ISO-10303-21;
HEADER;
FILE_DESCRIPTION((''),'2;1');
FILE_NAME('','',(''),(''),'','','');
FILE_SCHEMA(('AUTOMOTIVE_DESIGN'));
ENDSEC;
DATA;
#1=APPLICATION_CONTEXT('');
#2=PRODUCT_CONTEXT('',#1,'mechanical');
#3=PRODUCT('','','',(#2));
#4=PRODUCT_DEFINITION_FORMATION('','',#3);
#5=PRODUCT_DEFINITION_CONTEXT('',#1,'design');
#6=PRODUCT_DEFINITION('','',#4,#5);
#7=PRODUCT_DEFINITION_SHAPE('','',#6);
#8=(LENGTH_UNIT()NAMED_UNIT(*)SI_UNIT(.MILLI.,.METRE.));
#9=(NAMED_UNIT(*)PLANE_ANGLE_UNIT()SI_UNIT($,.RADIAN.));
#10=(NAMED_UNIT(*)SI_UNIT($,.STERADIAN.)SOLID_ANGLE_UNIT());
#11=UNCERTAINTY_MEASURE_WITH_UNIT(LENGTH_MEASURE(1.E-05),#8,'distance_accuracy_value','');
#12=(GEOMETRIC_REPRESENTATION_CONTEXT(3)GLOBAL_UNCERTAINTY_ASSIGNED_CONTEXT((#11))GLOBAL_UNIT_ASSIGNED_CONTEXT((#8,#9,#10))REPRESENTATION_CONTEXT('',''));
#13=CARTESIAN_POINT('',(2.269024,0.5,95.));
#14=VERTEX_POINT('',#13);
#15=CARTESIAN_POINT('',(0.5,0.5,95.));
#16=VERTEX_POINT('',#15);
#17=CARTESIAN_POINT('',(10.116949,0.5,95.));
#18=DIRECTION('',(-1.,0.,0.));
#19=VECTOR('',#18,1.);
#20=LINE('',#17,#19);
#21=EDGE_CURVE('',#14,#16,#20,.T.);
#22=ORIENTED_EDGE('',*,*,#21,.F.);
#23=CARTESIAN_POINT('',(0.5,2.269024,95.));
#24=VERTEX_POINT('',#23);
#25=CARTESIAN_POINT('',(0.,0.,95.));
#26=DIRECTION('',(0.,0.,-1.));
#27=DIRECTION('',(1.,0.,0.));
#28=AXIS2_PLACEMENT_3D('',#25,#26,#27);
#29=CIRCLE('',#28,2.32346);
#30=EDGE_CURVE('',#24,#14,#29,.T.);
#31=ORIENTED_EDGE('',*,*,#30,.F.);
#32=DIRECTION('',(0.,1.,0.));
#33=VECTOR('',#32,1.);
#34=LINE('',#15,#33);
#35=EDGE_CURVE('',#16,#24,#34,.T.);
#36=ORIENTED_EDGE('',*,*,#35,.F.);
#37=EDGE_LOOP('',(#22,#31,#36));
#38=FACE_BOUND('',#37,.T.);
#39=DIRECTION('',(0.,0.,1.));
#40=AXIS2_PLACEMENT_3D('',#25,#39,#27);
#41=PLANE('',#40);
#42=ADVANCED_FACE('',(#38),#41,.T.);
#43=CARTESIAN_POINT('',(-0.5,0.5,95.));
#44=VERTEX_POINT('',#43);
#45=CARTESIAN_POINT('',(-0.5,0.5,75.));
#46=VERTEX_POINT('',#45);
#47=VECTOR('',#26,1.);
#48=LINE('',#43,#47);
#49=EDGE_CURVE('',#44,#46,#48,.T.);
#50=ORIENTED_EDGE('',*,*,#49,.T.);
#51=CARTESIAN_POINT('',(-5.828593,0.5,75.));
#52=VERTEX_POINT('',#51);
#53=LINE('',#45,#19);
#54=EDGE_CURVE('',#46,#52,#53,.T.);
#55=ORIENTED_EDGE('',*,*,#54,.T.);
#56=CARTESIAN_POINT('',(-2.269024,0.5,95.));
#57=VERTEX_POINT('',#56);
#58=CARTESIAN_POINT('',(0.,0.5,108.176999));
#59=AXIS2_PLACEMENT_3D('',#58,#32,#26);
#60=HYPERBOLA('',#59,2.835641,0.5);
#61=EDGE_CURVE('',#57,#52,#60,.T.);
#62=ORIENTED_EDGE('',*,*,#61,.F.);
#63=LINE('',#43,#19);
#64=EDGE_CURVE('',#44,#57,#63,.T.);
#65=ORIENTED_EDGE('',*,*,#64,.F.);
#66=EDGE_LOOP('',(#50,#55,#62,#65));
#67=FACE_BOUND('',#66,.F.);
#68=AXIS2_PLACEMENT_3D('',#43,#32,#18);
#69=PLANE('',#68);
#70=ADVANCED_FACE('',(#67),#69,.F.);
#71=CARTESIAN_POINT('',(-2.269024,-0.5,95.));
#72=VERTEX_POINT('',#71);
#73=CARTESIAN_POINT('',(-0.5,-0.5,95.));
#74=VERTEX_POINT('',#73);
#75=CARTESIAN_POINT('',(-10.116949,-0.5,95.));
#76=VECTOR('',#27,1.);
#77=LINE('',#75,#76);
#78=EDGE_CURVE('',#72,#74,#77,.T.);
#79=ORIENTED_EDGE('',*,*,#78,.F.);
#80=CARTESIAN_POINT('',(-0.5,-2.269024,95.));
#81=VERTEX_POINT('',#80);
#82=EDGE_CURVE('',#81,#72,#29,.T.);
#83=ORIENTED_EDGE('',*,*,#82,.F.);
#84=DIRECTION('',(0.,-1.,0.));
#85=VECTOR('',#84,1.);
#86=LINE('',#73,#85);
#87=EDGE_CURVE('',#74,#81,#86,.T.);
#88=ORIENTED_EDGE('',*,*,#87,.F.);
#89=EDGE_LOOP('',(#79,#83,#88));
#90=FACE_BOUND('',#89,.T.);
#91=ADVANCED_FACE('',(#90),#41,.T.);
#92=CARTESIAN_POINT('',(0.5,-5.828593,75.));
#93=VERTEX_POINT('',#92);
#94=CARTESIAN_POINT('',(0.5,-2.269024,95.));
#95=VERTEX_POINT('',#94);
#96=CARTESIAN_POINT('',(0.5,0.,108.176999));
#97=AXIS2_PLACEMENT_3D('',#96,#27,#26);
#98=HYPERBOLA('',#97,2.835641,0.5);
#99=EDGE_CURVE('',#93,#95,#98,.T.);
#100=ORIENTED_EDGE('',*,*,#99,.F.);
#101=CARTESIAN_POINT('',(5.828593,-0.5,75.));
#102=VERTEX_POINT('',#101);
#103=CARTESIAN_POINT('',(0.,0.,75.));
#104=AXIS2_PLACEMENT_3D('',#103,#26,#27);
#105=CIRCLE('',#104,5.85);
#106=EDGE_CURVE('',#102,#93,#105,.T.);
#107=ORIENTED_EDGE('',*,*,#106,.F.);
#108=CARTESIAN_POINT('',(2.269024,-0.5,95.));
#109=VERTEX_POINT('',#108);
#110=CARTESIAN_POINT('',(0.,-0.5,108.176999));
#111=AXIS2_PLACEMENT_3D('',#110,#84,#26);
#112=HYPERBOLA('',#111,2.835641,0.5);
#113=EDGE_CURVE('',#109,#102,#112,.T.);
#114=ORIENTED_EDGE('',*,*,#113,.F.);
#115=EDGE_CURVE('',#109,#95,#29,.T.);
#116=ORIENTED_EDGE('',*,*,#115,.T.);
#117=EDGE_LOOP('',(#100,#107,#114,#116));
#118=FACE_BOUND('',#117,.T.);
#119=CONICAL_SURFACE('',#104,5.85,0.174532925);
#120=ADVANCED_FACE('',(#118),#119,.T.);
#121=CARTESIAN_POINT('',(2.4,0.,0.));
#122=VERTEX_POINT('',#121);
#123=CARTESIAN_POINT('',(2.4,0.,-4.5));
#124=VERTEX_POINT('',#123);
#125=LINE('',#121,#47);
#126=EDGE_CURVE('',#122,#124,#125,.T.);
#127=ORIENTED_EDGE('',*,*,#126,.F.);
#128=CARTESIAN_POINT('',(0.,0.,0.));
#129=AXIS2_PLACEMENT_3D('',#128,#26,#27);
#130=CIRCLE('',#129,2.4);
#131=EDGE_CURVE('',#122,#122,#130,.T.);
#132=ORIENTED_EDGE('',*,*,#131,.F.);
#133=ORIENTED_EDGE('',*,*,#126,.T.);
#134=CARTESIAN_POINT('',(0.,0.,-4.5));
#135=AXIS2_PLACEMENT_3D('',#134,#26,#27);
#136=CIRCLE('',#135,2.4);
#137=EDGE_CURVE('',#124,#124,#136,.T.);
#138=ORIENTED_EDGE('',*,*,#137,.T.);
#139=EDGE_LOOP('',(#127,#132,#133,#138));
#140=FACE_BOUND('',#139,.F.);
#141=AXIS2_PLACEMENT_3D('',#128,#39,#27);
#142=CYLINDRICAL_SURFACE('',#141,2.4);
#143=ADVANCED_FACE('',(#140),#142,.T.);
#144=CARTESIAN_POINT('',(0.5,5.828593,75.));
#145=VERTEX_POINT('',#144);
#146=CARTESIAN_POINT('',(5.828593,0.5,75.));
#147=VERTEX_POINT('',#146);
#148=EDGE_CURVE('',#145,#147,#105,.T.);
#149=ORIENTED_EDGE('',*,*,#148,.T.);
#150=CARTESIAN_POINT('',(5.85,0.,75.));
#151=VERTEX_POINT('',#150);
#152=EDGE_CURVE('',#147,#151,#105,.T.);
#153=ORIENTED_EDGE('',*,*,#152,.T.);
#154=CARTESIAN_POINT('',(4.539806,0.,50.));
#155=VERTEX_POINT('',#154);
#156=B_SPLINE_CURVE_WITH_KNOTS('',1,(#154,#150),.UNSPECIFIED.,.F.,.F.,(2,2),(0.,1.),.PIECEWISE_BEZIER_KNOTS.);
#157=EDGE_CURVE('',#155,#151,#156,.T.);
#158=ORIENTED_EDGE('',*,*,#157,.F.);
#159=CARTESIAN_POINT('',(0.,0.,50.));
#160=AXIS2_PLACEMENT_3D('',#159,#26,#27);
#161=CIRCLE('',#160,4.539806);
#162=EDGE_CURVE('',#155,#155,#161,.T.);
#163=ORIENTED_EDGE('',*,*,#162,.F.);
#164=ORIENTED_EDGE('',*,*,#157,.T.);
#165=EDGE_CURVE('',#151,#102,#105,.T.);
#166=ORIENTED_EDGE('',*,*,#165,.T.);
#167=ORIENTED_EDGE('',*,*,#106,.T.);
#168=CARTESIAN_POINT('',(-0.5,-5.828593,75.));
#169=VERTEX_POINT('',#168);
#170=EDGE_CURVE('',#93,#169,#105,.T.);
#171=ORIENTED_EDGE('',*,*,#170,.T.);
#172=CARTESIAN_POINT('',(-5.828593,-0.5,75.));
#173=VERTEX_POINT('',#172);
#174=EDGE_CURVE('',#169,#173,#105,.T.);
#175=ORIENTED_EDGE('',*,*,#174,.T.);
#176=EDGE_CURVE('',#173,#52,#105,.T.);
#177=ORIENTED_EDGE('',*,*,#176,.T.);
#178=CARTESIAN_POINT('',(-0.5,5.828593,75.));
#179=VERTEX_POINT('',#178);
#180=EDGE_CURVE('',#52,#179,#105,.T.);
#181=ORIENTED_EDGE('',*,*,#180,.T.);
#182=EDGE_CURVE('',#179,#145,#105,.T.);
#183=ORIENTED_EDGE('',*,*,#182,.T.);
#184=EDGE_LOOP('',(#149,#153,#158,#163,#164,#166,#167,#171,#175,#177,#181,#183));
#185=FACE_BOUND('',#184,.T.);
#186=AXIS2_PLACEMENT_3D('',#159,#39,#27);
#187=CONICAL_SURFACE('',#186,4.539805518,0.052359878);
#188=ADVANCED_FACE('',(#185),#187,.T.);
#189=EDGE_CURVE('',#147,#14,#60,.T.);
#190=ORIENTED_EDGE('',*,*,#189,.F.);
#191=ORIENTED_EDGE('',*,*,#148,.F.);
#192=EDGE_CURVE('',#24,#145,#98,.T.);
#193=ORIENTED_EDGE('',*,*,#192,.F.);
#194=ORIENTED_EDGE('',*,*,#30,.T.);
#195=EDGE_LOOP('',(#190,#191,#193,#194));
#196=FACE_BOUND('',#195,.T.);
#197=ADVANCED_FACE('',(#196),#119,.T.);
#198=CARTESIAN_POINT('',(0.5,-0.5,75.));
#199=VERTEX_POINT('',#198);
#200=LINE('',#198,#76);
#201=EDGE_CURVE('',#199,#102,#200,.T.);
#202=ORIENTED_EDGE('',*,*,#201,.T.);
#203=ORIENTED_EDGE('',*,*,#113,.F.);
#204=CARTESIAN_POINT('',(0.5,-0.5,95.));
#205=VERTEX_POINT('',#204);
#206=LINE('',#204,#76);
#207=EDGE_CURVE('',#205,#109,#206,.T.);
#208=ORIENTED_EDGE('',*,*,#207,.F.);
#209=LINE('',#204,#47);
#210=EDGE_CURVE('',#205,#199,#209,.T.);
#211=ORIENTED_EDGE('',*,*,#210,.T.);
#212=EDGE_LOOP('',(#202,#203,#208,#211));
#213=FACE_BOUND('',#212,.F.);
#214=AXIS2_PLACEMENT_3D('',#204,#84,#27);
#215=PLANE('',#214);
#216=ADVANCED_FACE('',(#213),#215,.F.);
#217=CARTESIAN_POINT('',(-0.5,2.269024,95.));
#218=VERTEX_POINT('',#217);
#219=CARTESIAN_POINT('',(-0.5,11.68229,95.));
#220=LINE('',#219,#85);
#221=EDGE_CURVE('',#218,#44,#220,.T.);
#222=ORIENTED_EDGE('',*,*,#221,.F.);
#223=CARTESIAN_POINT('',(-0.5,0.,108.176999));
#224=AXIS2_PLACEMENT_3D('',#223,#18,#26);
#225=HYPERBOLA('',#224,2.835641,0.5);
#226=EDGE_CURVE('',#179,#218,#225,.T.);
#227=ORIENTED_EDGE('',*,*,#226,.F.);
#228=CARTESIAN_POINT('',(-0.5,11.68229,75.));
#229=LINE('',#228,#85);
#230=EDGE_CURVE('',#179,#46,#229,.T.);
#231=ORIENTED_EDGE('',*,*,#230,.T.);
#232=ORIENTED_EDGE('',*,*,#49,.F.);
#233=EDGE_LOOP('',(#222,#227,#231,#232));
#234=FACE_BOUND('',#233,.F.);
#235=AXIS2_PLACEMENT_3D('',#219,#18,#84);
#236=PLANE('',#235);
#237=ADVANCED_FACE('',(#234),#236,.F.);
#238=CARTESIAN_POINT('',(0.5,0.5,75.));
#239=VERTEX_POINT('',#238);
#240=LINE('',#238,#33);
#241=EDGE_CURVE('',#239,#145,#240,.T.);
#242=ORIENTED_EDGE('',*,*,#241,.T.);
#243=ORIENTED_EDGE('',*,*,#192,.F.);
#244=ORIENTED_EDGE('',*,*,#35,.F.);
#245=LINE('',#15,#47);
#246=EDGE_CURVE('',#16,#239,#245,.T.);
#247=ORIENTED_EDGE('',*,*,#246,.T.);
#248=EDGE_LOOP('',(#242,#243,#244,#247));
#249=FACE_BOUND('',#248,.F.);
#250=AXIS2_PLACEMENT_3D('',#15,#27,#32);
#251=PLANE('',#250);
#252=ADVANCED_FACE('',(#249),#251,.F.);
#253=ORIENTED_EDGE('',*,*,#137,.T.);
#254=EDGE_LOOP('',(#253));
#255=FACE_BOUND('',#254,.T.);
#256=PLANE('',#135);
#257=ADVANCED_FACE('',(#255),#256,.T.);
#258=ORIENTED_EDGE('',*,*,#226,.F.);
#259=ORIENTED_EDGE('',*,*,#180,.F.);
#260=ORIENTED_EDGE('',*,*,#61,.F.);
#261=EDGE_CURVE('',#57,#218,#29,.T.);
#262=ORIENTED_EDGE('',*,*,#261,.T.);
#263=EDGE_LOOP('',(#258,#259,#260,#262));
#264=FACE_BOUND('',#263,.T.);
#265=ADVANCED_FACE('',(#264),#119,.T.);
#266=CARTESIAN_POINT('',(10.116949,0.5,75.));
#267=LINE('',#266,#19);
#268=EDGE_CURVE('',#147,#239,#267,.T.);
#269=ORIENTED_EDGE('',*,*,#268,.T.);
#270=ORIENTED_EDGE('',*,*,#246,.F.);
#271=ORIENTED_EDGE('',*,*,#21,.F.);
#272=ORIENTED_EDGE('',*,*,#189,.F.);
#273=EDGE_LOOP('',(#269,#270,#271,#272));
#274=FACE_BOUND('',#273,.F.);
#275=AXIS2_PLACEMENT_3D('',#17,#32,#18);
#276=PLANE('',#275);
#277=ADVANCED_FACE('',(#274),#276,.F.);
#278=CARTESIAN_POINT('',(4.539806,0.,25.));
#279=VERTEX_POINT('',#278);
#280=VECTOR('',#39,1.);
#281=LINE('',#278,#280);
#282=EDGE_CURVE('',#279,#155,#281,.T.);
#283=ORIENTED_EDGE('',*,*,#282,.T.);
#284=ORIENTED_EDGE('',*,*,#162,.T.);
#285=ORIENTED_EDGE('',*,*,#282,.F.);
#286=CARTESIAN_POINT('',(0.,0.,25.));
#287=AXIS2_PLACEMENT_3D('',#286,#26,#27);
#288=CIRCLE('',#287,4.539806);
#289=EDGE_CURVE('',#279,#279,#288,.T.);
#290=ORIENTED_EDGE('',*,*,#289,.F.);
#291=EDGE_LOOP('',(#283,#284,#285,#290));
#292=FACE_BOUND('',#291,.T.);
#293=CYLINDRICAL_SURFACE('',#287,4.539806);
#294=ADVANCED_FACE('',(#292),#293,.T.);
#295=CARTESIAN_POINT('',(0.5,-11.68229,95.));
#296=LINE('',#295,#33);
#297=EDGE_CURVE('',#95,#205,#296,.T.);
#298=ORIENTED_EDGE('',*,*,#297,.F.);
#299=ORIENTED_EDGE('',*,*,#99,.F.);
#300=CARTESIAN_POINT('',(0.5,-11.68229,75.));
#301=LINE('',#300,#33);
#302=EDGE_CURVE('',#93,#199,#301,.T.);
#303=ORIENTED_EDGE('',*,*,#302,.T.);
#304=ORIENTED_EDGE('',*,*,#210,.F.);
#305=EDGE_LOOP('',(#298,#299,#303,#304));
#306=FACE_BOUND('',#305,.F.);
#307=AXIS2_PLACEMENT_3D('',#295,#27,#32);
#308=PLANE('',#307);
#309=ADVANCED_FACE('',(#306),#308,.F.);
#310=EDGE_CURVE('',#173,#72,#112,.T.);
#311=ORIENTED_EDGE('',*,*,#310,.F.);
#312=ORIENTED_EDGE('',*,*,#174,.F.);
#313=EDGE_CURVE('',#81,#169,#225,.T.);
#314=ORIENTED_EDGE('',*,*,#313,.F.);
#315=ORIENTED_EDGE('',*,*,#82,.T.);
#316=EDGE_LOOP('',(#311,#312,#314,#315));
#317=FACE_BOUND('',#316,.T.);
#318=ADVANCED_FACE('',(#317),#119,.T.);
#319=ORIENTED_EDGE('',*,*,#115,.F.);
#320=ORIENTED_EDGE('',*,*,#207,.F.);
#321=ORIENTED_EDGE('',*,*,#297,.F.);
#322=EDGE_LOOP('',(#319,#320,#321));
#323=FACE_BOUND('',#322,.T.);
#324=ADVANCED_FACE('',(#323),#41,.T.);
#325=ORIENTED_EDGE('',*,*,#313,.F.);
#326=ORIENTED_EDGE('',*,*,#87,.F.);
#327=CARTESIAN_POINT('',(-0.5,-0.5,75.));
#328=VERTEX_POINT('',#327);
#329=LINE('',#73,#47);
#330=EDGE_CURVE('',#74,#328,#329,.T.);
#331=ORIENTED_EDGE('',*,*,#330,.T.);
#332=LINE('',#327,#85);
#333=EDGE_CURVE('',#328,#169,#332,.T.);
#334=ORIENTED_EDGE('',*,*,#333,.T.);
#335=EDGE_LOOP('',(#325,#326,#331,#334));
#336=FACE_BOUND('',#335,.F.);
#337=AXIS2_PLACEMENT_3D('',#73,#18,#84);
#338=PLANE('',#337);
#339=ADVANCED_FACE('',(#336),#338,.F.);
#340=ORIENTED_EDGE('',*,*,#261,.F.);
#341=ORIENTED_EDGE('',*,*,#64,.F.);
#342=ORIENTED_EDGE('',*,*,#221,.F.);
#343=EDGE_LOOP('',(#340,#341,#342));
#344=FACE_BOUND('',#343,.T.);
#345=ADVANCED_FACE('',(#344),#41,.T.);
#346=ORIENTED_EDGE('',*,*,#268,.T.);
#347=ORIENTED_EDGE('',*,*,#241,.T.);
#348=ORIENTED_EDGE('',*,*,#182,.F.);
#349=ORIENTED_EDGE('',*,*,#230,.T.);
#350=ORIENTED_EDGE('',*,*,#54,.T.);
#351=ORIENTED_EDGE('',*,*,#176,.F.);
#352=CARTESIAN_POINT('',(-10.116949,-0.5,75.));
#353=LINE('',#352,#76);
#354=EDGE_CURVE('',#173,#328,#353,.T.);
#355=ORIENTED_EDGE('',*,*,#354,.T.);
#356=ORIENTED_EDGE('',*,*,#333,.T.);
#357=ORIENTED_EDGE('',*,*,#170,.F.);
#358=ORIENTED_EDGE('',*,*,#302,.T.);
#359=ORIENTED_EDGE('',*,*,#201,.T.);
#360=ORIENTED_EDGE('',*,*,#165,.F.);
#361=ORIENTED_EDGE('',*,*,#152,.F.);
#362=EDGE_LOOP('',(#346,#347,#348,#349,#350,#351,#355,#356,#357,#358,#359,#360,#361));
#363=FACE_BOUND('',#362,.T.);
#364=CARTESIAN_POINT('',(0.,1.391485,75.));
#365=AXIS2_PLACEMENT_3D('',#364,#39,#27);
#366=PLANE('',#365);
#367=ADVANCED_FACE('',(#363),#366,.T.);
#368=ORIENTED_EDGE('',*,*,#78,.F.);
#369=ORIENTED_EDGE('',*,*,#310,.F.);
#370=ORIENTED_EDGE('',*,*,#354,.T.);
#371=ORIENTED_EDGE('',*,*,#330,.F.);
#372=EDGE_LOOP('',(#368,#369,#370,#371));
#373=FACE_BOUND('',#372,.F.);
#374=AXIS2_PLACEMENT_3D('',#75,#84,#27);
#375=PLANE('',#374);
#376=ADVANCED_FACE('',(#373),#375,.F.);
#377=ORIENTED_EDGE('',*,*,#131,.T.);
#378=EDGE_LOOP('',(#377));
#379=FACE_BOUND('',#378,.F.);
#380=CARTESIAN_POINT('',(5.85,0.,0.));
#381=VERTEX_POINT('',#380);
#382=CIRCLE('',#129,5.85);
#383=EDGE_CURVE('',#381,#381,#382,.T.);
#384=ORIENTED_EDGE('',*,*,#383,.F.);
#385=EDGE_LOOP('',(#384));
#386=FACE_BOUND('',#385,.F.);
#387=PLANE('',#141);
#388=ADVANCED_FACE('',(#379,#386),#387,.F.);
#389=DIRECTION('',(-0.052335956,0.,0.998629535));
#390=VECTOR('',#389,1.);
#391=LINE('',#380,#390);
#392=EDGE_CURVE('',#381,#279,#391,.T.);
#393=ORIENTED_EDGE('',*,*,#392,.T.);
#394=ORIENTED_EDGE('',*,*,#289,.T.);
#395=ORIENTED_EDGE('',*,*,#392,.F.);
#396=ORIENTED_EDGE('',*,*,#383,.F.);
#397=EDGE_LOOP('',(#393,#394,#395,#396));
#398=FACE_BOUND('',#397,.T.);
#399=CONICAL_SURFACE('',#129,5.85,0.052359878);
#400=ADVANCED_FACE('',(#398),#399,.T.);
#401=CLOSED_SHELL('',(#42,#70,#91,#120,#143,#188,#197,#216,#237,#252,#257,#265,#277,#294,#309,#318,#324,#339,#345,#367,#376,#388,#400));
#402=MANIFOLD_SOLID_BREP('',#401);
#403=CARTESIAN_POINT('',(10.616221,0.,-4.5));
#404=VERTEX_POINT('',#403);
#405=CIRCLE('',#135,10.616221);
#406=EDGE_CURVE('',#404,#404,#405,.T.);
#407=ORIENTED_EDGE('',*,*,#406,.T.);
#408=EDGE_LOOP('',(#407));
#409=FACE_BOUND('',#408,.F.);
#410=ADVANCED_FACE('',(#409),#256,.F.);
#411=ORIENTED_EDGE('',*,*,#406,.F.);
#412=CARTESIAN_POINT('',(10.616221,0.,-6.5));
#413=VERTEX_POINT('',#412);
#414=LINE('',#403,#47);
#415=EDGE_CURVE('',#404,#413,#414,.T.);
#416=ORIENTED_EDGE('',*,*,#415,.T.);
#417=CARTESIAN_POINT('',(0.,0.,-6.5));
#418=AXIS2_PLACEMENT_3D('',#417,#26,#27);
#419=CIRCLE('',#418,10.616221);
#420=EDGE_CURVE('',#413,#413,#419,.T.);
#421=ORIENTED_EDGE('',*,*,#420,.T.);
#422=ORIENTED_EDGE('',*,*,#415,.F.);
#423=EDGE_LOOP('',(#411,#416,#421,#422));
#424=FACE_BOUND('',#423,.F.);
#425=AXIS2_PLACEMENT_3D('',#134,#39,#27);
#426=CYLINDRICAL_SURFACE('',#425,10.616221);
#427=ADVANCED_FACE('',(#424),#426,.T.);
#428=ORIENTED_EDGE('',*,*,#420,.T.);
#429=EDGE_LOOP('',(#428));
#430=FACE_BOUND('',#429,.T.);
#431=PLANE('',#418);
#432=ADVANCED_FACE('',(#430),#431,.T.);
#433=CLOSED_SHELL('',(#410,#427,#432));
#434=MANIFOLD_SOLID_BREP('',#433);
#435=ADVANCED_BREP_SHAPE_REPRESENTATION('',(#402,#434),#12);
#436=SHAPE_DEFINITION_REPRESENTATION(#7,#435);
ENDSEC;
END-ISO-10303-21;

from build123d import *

# Parameters (mm, degrees)
F0_R      = 5.85
F1_DEPTH  = 25
F1_TAPER  = 3
F2_DEPTH  = 25
F2_FACE_R = 4.5398055179
F3_DEPTH  = 25
F3_TAPER  = -3
F4_R      = 2.4
F5_DEPTH  = 4.5
F3_FACE_R = 5.85
F6_DEPTH  = 20
F6_TAPER  = 10
F7_W      = 1
F7_H      = 1
F8_DEPTH  = 20
F9_R      = 10.6162207862
F9_R_2    = 2.4
F10_DEPTH = 2


with BuildPart() as f1:
    # F0 (on Top) → F1 (new body)
    with BuildSketch(Plane.XY):
        Circle(F0_R)
    extrude(amount=F1_DEPTH, taper=F1_TAPER)

    # F2 (add): a face of the model
    f2_faces = [f1.faces().sort_by_distance(p)[0] for p in [
        (0, 0, 25),
    ]]
    extrude(f2_faces, amount=F2_DEPTH)

    # F2_face (on face) → F3 (join)
    with BuildSketch(Plane.XY.offset(50)):
        Circle(F2_FACE_R)
    extrude(amount=F3_DEPTH, taper=F3_TAPER)

    # F4 (on face) → F5 (join)
    with BuildSketch(Plane(origin=(0, 0, 0), x_dir=(1, 0, 0), z_dir=(0, 0, -1))):
        Circle(F4_R)
    extrude(amount=F5_DEPTH)

    # F3_face (on face) → F6 (join)
    with BuildSketch(Plane.XY.offset(75)):
        Circle(F3_FACE_R)
    extrude(amount=F6_DEPTH, taper=F6_TAPER)

    # F7 (on face) → F8 (cut)
    with BuildSketch(Plane.XY.offset(95)):
        with BuildLine():
            Line((-0.5, 2.2690236148), (-0.5, 0.5))
            Line((-0.5, 0.5), (0.5, 0.5))
            Line((0.5, 0.5), (0.5, 2.2690236148))
            ThreePointArc((0.5, 2.2690236148), (0, 2.3234603858), (-0.5, 2.2690236148))
        make_face()
        with BuildLine():
            ThreePointArc((-2.2690236148, 0.5), (-2.3234603858, 0), (-2.2690236148, -0.5))
            Line((-2.2690236148, -0.5), (-0.5, -0.5))
            Line((-0.5, -0.5), (-0.5, 0.5))
            Line((-0.5, 0.5), (-2.2690236148, 0.5))
        make_face()
        with BuildLine():
            Line((0.5, -0.5), (-0.5, -0.5))
            Line((-0.5, -0.5), (-0.5, -2.2690236148))
            ThreePointArc((-0.5, -2.2690236148), (0, -2.3234603858), (0.5, -2.2690236148))
            Line((0.5, -2.2690236148), (0.5, -0.5))
        make_face()
        with BuildLine():
            Line((0.5, 0.5), (0.5, -0.5))
            Line((0.5, -0.5), (2.2690236148, -0.5))
            ThreePointArc((2.2690236148, -0.5), (2.3098111014, -0.2514773161), (2.3234603858, 0))
            ThreePointArc((2.3234603858, 0), (2.3098111014, 0.2514773161), (2.2690236148, 0.5))
            Line((2.2690236148, 0.5), (0.5, 0.5))
        make_face()
        Rectangle(F7_W, F7_H)
        with BuildLine():
            Line((-10.1169492777, 0.5), (-10.1169492777, -0.5))
            Line((-10.1169492777, -0.5), (-2.2690236148, -0.5))
            ThreePointArc((-2.2690236148, -0.5), (-2.3234603858, 0), (-2.2690236148, 0.5))
            Line((-2.2690236148, 0.5), (-10.1169492777, 0.5))
        make_face()
        with BuildLine():
            ThreePointArc((0.5, -2.2690236148), (0, -2.3234603858), (-0.5, -2.2690236148))
            Line((-0.5, -2.2690236148), (-0.5, -11.6822896525))
            Line((-0.5, -11.6822896525), (0.5, -11.6822896525))
            Line((0.5, -11.6822896525), (0.5, -2.2690236148))
        make_face()
        with BuildLine():
            ThreePointArc((2.3234603858, 0), (2.3098111014, -0.2514773161), (2.2690236148, -0.5))
            Line((2.2690236148, -0.5), (10.1169492777, -0.5))
            Line((10.1169492777, -0.5), (10.1169492777, 0.5))
            Line((10.1169492777, 0.5), (2.2690236148, 0.5))
            ThreePointArc((2.2690236148, 0.5), (2.3098111014, 0.2514773161), (2.3234603858, 0))
        make_face()
        with BuildLine():
            Line((-0.5, 11.6822896525), (-0.5, 2.2690236148))
            ThreePointArc((-0.5, 2.2690236148), (0, 2.3234603858), (0.5, 2.2690236148))
            Line((0.5, 2.2690236148), (0.5, 11.6822896525))
            Line((0.5, 11.6822896525), (-0.5, 11.6822896525))
        make_face()
    extrude(amount=-F8_DEPTH, mode=Mode.SUBTRACT)


with BuildPart() as f10:
    # F9 (on face) → F10 (new body)
    with BuildSketch(Plane(origin=(0, 0, -4.5), x_dir=(1, 0, 0), z_dir=(0, 0, -1))):
        Circle(F9_R)
        Circle(F9_R_2, mode=Mode.SUBTRACT)
        Circle(F9_R_2)
    extrude(amount=F10_DEPTH)


solid = Compound([f1.part, f10.part])
